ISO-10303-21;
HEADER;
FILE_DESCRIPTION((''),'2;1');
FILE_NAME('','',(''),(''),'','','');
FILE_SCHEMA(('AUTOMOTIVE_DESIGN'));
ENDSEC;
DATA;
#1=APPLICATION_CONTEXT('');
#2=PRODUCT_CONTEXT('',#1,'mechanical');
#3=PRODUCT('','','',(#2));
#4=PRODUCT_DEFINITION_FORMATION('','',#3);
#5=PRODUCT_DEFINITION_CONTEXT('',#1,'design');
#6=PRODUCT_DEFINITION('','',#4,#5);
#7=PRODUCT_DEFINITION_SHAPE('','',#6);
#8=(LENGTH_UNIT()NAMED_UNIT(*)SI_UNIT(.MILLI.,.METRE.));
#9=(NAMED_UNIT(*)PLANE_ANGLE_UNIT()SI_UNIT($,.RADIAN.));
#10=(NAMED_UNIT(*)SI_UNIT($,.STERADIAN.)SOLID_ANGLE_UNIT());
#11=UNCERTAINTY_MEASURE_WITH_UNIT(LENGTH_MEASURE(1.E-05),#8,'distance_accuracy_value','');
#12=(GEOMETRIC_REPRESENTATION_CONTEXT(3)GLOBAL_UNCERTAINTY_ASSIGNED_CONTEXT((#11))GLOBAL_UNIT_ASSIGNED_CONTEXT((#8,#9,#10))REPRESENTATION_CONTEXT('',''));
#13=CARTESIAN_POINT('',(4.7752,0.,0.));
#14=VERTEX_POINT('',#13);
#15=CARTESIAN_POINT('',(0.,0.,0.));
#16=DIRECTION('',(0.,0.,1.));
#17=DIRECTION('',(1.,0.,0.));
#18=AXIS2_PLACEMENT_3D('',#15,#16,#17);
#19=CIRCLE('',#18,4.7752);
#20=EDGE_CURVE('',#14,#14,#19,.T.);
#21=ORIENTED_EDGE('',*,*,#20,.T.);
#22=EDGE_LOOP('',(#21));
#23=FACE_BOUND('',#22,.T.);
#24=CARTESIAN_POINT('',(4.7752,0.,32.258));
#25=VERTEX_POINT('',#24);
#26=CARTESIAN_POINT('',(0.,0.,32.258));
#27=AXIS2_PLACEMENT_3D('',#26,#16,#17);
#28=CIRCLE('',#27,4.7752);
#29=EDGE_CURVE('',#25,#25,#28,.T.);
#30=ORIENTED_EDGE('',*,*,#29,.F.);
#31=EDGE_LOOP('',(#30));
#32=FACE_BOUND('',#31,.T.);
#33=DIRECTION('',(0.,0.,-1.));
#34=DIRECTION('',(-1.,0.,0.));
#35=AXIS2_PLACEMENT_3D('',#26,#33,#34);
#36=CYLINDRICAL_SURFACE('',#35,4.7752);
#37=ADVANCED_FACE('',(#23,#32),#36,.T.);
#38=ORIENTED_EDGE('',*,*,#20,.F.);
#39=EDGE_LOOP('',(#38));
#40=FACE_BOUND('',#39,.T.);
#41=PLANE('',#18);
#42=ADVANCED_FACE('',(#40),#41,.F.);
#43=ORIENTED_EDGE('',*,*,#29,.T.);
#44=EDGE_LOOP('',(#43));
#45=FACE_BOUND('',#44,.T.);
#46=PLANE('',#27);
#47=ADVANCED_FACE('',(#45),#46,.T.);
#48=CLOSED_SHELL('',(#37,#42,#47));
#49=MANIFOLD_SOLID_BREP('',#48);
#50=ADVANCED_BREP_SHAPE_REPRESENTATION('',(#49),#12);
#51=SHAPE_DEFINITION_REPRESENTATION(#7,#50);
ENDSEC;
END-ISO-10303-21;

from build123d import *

# Parameters (mm, degrees)
SKETCH1_R           = 4.7752
BOSS_EXTRUDE1_DEPTH = 32.258


with BuildPart() as part:
    # Sketch1 → Boss-Extrude1 (new body)
    with BuildSketch(Plane.XY):
        Circle(SKETCH1_R)
    extrude(amount=BOSS_EXTRUDE1_DEPTH)


solid = part.part
